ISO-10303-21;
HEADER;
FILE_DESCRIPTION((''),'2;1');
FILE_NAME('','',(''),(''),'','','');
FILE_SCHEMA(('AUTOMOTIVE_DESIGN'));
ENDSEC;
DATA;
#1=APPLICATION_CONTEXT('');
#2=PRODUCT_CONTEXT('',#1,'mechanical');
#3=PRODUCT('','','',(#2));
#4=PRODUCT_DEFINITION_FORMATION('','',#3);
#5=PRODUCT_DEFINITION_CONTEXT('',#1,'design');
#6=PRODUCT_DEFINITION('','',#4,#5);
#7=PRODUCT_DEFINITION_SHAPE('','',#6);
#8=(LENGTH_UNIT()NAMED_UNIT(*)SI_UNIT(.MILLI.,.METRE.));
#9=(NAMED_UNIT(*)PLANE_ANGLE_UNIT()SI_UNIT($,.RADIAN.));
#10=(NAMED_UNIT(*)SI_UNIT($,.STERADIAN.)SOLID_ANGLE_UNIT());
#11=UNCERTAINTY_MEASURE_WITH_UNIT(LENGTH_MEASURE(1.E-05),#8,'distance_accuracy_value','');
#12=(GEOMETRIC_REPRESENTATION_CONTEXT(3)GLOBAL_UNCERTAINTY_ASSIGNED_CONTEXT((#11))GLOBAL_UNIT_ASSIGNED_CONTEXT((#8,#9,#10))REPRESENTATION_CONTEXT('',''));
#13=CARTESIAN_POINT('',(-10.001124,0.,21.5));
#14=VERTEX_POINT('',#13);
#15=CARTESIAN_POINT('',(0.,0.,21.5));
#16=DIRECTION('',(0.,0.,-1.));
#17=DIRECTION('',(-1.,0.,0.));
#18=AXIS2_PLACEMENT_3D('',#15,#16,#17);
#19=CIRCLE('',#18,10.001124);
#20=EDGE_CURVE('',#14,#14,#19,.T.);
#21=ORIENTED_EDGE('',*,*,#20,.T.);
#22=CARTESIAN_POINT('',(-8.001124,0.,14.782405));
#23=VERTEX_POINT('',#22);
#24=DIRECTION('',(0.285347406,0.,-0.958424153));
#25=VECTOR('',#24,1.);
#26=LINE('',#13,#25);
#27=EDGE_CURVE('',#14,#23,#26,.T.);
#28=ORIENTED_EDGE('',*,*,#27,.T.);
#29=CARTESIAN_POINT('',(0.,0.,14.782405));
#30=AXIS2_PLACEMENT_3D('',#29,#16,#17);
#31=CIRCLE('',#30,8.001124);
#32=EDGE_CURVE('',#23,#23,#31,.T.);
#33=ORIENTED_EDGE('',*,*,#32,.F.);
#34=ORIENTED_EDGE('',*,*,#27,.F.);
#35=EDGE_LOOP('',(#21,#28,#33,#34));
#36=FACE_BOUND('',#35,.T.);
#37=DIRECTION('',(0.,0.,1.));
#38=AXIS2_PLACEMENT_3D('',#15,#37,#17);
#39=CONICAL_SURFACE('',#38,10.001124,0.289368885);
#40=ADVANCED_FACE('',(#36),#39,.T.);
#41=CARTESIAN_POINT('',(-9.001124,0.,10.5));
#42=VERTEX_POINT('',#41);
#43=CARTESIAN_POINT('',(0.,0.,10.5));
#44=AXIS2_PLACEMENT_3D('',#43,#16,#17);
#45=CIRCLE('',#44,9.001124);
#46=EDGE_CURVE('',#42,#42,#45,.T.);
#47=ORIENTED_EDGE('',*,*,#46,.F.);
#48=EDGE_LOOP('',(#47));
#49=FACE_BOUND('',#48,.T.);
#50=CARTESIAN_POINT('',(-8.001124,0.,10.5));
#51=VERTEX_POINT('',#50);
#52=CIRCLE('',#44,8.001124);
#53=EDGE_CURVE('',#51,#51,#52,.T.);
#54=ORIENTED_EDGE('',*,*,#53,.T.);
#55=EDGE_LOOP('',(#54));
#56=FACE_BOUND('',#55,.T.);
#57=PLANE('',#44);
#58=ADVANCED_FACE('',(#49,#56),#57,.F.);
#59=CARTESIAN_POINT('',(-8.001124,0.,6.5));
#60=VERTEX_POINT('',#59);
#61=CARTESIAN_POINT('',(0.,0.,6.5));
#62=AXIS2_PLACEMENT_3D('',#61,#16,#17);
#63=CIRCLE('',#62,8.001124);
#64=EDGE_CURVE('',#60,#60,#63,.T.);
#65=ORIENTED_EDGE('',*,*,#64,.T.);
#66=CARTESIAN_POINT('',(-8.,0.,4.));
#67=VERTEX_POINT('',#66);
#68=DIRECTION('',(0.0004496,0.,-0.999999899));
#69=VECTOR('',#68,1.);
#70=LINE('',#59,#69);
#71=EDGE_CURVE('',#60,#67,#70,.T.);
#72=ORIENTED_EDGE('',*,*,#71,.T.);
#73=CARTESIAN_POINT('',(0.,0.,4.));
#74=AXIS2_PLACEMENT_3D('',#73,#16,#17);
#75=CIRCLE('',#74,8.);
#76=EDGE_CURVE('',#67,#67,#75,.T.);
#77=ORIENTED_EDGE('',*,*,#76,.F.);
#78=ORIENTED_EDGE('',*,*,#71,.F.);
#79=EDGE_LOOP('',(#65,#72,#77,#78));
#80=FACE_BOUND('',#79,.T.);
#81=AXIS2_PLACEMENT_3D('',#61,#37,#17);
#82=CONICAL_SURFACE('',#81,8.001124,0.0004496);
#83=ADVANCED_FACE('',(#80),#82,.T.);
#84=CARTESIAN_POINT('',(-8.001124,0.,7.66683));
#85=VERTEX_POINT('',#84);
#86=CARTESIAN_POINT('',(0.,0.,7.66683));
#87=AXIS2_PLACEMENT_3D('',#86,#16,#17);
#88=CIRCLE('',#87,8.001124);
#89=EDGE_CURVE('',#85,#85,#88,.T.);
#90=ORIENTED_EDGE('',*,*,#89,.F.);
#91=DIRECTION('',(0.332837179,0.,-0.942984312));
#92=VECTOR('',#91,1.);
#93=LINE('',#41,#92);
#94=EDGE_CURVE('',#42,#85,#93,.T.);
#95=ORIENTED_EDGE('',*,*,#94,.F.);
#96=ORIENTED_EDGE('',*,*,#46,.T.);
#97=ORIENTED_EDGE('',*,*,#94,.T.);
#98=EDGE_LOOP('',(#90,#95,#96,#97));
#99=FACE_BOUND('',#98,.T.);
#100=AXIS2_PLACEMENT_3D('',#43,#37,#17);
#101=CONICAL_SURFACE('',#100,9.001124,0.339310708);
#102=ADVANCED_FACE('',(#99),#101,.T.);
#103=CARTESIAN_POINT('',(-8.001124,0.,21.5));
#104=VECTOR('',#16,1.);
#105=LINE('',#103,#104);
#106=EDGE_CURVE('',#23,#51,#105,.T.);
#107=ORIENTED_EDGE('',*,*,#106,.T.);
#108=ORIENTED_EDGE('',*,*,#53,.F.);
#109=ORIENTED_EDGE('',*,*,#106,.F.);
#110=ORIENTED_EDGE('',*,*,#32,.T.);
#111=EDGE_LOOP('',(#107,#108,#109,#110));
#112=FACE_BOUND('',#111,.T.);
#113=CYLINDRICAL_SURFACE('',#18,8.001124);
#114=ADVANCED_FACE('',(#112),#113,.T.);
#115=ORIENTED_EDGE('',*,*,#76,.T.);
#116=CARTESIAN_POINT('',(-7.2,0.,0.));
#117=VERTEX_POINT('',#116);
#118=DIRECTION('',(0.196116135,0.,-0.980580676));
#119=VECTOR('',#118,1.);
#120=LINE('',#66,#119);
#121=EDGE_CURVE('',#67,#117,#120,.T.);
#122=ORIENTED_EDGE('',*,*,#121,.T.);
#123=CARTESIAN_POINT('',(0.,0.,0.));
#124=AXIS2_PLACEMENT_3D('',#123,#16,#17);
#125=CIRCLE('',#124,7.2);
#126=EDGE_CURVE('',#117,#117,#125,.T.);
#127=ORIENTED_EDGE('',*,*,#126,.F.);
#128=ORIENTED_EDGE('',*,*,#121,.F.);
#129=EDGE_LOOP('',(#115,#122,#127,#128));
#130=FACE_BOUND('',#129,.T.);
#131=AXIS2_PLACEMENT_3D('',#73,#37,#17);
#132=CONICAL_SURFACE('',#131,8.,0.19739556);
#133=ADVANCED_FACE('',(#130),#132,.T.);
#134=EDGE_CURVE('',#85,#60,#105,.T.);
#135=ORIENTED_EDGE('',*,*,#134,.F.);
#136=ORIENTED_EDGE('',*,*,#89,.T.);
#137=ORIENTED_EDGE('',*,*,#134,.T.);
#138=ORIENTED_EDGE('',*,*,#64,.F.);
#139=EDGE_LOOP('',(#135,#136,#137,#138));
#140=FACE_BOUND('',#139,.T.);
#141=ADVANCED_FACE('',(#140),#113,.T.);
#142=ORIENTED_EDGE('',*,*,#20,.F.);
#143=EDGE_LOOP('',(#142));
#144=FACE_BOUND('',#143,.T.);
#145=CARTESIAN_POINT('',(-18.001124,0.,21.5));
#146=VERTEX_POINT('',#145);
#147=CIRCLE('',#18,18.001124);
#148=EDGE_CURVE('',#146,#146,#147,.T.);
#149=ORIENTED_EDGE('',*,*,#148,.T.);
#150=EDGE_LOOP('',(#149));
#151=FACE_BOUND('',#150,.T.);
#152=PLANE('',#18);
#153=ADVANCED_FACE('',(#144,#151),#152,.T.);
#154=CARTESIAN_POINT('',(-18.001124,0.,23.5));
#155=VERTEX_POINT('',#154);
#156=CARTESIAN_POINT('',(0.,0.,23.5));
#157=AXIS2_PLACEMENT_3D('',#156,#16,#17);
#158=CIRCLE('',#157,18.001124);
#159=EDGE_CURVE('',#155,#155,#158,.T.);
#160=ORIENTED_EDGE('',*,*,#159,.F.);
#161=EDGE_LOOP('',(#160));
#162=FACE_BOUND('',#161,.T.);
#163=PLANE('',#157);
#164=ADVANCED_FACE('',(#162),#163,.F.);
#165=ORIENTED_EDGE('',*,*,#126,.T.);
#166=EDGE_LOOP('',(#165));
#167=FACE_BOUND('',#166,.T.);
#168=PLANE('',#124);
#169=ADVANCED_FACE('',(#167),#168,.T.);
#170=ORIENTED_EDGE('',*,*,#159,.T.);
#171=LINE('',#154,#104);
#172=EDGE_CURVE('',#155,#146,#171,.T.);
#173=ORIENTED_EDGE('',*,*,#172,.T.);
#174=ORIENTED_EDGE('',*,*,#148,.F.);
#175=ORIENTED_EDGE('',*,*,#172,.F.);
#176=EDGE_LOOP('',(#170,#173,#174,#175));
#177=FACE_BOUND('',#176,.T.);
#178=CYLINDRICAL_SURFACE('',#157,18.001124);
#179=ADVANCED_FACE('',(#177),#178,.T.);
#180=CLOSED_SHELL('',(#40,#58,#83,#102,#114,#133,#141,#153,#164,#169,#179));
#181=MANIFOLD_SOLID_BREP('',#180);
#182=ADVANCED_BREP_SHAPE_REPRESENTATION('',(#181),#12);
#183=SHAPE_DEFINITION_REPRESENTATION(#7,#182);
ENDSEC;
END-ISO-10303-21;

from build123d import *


with BuildPart() as f1:
    # F0 (on Front) → F1 (revolve)
    with BuildSketch(Plane.XZ):
        Polygon((-8.001124, 7.66683), (-8.001124, 6.5), (-8, 4), (-7.2, 0), (0, 0), (0, 23.5), (-18.001124, 23.5), (-18.001124, 21.5), (-10.001124, 21.5), (-8.001124, 21.5), (-8.001124, 14.782405), (-8.001124, 10.5), align=None)
        Polygon((-9.001124, 10.5), (-8.001124, 7.66683), (-8.001124, 10.5), align=None)
        Polygon((-10.001124, 21.5), (-8.001124, 14.782405), (-8.001124, 21.5), align=None)
    revolve(axis=Axis((0, 0, 11.75), (0, 0, -1)))


solid = f1.part
